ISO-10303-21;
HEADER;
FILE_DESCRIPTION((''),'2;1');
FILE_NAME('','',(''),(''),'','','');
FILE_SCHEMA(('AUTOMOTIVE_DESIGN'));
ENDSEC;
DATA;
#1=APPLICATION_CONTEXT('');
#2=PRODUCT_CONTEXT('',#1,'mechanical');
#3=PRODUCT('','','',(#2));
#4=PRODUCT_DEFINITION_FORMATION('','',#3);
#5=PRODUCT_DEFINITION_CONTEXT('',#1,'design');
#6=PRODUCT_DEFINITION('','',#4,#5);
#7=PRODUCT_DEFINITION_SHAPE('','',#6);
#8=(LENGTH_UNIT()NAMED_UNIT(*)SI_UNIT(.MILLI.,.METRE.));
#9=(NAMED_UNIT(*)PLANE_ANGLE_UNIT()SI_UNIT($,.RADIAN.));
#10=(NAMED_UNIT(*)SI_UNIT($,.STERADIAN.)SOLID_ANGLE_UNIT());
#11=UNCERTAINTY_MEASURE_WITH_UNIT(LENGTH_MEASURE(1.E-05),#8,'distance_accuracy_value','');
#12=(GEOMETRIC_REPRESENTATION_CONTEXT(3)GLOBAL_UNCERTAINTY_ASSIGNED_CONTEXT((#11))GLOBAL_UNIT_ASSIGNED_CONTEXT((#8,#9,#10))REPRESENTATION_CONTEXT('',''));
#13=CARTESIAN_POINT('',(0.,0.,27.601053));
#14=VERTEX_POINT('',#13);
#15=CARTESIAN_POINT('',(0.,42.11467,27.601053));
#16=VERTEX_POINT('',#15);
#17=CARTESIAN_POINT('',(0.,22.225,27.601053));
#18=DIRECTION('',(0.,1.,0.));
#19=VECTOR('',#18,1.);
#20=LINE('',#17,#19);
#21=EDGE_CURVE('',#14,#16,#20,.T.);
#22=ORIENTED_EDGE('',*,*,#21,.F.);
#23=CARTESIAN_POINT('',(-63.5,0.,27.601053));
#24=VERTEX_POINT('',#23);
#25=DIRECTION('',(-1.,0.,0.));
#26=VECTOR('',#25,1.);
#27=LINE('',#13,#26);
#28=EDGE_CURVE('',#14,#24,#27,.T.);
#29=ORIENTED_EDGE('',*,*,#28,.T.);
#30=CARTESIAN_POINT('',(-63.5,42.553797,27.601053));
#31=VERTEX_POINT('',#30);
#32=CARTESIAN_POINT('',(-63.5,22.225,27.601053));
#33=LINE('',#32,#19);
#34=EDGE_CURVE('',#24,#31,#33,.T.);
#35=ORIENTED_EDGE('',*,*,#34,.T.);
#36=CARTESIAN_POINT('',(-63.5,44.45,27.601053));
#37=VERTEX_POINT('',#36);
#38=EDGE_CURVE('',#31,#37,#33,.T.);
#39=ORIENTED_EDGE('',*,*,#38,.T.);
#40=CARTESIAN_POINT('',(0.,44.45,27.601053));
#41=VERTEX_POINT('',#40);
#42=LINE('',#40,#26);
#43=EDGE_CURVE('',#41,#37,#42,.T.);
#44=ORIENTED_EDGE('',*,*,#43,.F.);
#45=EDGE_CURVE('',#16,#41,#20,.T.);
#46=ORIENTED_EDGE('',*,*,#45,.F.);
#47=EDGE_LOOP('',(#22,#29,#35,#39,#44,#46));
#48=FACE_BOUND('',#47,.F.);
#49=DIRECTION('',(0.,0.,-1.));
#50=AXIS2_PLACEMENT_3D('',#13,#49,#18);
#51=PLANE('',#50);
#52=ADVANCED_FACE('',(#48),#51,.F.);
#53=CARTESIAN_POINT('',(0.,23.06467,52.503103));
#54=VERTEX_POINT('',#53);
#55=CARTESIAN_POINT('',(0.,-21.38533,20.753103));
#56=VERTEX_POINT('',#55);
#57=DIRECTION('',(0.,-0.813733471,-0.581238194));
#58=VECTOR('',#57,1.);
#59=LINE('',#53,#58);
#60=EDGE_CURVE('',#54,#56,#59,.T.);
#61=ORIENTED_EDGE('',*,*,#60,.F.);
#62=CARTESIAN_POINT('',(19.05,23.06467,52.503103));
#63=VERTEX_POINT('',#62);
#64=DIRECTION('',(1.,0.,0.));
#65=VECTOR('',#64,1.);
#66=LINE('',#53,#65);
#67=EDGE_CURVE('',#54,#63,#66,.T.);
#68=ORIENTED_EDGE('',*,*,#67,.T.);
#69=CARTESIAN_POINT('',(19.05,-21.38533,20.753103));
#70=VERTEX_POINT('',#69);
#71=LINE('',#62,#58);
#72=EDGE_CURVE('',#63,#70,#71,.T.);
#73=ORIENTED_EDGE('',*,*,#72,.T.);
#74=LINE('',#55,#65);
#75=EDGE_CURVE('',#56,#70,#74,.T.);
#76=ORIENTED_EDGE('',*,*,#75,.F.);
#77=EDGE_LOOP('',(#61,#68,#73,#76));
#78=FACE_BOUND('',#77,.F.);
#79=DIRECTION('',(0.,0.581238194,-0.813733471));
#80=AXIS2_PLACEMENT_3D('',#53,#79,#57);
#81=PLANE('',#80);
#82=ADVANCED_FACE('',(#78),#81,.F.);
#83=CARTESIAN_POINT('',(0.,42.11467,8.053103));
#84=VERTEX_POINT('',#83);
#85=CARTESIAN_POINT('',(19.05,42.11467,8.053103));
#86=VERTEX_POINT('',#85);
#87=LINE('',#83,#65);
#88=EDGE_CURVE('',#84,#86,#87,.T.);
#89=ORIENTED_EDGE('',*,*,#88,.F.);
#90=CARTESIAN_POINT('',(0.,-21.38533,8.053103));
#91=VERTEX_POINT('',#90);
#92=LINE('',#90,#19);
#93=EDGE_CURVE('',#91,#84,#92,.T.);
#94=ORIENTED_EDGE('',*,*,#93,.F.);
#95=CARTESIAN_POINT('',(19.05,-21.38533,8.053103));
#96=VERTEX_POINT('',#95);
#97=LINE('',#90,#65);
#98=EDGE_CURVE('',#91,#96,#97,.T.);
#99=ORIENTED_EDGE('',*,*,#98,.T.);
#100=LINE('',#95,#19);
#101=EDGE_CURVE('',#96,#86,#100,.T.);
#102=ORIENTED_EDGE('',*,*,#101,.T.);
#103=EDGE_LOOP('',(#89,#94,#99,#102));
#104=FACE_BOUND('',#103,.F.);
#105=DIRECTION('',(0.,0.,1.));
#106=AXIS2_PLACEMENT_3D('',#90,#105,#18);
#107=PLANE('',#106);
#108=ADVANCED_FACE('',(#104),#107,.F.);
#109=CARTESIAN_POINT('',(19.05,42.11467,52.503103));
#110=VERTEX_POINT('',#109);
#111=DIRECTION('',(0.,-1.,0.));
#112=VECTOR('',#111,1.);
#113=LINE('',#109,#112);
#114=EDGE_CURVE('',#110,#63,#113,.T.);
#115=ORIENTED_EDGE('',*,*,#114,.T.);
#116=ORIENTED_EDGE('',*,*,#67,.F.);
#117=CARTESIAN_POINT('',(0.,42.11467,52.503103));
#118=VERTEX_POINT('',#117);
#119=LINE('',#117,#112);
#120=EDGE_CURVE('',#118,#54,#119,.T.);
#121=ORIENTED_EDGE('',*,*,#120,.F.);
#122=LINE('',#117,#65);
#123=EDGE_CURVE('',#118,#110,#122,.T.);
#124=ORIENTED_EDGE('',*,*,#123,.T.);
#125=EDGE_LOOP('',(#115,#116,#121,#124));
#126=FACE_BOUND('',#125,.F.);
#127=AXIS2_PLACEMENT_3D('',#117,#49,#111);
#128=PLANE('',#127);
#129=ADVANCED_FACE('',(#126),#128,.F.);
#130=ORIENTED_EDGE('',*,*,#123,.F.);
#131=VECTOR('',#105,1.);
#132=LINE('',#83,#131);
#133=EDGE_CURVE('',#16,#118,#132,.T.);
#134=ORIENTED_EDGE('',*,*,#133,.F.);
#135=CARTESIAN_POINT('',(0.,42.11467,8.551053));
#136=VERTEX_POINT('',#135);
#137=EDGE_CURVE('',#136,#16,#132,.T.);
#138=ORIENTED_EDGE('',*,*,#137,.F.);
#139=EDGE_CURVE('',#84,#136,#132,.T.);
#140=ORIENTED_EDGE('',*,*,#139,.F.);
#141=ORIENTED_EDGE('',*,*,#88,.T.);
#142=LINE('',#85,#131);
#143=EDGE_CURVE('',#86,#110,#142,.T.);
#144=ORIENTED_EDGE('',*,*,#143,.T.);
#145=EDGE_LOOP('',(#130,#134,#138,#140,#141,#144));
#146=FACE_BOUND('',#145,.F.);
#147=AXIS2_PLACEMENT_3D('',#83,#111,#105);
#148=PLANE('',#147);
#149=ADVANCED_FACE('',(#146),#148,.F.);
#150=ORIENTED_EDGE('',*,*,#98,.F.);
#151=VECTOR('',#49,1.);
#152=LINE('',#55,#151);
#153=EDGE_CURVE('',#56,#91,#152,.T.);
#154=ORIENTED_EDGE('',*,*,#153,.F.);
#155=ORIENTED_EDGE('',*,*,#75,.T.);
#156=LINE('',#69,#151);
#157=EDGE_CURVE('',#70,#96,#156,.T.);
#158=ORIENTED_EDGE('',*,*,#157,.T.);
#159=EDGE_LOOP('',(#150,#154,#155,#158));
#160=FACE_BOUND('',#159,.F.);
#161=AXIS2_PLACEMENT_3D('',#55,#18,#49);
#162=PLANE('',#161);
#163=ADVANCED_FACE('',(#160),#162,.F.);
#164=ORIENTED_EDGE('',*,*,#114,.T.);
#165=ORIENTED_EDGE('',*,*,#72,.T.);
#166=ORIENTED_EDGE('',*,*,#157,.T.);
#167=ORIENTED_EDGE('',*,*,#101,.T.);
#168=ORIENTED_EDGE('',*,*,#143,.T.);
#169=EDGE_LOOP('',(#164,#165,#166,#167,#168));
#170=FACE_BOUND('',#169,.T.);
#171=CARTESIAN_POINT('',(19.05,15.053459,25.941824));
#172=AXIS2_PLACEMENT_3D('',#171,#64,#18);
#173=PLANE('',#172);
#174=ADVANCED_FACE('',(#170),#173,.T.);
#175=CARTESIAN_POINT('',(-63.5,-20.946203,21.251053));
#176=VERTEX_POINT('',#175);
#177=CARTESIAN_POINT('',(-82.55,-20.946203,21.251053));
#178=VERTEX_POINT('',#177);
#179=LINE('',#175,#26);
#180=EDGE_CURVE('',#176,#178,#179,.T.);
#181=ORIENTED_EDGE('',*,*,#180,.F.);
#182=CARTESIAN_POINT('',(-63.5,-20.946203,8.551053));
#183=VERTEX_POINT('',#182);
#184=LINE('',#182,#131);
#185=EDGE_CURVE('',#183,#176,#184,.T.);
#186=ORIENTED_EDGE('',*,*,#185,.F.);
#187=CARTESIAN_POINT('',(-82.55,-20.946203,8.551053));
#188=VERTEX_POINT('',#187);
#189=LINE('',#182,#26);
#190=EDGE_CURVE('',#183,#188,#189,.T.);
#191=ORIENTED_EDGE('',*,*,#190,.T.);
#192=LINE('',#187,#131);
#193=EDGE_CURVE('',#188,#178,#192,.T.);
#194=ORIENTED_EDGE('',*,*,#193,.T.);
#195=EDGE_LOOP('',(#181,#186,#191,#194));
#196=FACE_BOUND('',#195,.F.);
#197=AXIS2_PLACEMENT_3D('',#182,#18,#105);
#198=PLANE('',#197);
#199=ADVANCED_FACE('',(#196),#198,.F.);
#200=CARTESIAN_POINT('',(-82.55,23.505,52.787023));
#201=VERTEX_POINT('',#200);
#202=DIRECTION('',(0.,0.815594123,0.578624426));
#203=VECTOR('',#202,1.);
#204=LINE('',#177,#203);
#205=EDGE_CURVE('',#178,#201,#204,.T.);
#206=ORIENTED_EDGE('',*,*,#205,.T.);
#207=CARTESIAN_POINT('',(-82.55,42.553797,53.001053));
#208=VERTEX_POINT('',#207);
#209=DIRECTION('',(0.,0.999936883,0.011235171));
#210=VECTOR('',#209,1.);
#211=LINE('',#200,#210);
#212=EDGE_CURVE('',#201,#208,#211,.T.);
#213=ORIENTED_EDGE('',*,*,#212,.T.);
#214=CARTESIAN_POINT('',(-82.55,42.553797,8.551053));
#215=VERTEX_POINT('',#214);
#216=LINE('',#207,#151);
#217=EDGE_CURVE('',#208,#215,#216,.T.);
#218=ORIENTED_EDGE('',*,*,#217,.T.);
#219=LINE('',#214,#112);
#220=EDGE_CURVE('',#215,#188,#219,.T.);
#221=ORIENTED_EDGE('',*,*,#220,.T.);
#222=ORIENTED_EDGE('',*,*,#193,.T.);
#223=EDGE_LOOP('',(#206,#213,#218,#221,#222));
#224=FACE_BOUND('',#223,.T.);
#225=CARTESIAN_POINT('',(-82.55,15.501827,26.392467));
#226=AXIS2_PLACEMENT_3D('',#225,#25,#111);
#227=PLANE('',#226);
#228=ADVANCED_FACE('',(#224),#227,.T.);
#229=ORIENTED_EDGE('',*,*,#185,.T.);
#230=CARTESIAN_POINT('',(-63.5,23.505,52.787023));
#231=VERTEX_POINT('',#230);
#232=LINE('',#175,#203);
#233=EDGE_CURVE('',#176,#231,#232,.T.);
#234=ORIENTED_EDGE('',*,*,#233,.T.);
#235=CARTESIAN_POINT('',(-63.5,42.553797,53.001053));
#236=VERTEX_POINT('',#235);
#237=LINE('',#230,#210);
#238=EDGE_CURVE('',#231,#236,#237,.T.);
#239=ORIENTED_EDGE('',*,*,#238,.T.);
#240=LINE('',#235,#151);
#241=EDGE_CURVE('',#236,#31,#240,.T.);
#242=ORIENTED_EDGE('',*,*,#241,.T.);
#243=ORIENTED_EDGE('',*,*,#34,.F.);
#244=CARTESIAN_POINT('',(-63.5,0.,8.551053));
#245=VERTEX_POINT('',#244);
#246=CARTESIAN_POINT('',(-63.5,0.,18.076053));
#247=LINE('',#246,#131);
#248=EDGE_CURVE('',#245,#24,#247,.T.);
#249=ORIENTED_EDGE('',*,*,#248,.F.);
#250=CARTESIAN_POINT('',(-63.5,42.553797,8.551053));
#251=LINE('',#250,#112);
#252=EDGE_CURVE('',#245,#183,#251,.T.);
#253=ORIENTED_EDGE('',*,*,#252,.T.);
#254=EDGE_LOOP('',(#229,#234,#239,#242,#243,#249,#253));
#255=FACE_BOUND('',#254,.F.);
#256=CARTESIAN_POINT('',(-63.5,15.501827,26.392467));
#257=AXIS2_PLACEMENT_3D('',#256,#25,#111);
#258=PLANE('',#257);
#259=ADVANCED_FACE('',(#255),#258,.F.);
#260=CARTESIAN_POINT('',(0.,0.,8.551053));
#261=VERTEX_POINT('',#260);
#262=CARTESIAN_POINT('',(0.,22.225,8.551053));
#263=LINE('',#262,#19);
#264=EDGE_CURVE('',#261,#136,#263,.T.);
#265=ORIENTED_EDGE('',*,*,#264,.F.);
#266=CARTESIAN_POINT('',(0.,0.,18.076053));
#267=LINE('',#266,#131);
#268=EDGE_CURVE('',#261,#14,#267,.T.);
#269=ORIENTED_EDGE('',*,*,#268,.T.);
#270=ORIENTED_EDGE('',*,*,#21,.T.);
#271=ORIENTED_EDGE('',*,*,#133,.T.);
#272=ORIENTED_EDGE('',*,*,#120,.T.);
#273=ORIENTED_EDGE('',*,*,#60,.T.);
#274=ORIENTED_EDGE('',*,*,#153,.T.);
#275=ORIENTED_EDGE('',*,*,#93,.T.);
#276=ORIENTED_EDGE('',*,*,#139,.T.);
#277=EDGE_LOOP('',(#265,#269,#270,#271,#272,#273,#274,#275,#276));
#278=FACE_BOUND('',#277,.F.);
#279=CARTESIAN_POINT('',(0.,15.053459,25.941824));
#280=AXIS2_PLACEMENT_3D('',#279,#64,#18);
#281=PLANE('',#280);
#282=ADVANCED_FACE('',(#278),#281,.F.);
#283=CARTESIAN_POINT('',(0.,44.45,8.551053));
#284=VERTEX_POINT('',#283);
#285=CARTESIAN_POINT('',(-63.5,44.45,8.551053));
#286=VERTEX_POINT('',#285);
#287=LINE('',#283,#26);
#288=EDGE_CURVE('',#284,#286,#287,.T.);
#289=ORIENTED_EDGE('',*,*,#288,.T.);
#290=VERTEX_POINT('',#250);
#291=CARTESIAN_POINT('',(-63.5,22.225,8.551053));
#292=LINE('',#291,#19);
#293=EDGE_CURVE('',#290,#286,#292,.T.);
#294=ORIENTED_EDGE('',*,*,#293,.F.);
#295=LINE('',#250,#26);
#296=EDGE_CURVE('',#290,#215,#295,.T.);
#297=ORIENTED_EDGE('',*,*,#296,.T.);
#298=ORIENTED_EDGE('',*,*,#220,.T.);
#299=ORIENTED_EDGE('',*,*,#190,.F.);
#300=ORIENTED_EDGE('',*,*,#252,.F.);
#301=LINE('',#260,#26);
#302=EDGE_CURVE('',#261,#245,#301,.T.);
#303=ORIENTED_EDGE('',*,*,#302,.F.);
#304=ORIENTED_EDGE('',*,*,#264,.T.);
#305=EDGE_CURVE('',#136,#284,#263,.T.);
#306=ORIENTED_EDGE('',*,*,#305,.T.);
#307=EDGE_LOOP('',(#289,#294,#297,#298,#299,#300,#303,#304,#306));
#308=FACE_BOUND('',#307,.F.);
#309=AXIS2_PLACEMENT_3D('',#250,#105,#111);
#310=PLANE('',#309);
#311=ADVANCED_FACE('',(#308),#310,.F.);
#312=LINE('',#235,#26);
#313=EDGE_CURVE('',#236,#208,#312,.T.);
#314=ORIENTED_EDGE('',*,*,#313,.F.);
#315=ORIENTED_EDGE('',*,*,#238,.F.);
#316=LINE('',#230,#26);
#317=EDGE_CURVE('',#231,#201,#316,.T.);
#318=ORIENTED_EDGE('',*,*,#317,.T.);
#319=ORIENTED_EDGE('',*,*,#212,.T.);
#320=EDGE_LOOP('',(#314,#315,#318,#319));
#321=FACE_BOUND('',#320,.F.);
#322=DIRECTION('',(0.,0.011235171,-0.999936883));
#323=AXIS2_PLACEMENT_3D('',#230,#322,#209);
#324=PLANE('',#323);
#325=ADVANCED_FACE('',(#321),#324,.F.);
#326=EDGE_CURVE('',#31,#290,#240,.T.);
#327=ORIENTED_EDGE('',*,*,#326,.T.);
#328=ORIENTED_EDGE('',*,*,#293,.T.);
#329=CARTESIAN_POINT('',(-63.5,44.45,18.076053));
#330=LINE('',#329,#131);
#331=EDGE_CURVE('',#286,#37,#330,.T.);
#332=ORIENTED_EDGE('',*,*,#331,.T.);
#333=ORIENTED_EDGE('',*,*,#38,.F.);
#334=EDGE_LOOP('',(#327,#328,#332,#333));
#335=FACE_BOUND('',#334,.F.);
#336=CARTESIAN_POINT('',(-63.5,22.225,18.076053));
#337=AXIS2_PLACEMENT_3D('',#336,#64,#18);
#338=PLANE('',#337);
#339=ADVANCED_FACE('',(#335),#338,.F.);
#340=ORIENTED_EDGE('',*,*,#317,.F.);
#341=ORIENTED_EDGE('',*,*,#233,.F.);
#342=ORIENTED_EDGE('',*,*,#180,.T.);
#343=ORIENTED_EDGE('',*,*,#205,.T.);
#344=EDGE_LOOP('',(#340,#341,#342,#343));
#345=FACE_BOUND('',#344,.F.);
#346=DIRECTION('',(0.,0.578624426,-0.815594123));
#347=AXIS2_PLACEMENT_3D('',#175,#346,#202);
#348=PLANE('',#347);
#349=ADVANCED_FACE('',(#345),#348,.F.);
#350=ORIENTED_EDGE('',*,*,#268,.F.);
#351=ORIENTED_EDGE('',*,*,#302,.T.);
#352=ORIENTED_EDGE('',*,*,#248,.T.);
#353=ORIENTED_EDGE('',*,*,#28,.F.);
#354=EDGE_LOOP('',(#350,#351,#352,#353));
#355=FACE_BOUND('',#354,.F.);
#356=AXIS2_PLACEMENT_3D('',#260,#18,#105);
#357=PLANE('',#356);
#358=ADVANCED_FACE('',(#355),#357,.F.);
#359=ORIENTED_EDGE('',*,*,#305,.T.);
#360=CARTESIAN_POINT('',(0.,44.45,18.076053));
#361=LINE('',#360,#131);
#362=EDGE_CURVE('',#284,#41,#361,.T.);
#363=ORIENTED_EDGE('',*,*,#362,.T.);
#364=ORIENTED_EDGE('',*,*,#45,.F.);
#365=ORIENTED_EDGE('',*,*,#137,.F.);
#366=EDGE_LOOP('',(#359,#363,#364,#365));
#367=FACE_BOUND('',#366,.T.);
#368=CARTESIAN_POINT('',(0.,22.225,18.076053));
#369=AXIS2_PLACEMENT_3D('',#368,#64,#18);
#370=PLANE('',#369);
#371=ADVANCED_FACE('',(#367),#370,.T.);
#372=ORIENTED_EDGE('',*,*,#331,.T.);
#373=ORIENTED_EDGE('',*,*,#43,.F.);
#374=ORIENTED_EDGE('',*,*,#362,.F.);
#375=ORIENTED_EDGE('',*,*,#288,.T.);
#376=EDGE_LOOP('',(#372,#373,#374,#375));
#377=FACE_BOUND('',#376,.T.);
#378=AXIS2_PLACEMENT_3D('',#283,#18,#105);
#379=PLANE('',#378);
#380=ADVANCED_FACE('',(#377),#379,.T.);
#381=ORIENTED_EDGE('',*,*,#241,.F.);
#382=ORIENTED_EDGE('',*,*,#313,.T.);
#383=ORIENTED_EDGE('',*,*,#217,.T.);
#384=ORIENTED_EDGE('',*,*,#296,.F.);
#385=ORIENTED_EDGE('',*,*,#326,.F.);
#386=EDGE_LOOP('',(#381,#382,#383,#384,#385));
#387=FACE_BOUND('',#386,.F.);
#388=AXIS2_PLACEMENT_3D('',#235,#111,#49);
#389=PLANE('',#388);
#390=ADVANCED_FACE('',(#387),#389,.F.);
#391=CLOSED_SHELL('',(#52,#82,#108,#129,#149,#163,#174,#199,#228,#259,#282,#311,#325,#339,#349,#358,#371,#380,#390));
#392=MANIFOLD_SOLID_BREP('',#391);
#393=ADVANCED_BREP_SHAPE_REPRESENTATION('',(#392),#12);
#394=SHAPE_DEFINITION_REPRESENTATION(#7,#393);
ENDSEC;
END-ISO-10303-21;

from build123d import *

# Parameters (mm, degrees)
F1_W     = 44.45
F1_H     = 19.05
F2_DEPTH = 63.5
F3_DEPTH = 19.05
F5_DEPTH = 19.05


with BuildPart() as f2:
    # F1 (on face) → F2 (new body)
    with BuildSketch(Plane.YZ):
        with Locations((22.225, 18.076053)):
            Rectangle(F1_W, F1_H)
    extrude(amount=-F2_DEPTH)

    # F0 (on Right) → F3 (join)
    with BuildSketch(Plane.YZ):
        Polygon((42.11467, 52.503103), (23.06467, 52.503103), (-21.38533, 20.753103), (-21.38533, 8.053103), (42.11467, 8.053103), align=None)
    extrude(amount=F3_DEPTH)

    # F4 (on face) → F5 (join)
    with BuildSketch(Plane(origin=(-63.5, 0, 0), x_dir=(0, -1, 0), z_dir=(-1, 0, 0))):
        Polygon((-23.505, 52.787023), (-42.553797, 53.001053), (-42.553797, 8.551053), (20.946203, 8.551053), (20.946203, 21.251053), align=None)
    extrude(amount=F5_DEPTH)


solid = f2.part
